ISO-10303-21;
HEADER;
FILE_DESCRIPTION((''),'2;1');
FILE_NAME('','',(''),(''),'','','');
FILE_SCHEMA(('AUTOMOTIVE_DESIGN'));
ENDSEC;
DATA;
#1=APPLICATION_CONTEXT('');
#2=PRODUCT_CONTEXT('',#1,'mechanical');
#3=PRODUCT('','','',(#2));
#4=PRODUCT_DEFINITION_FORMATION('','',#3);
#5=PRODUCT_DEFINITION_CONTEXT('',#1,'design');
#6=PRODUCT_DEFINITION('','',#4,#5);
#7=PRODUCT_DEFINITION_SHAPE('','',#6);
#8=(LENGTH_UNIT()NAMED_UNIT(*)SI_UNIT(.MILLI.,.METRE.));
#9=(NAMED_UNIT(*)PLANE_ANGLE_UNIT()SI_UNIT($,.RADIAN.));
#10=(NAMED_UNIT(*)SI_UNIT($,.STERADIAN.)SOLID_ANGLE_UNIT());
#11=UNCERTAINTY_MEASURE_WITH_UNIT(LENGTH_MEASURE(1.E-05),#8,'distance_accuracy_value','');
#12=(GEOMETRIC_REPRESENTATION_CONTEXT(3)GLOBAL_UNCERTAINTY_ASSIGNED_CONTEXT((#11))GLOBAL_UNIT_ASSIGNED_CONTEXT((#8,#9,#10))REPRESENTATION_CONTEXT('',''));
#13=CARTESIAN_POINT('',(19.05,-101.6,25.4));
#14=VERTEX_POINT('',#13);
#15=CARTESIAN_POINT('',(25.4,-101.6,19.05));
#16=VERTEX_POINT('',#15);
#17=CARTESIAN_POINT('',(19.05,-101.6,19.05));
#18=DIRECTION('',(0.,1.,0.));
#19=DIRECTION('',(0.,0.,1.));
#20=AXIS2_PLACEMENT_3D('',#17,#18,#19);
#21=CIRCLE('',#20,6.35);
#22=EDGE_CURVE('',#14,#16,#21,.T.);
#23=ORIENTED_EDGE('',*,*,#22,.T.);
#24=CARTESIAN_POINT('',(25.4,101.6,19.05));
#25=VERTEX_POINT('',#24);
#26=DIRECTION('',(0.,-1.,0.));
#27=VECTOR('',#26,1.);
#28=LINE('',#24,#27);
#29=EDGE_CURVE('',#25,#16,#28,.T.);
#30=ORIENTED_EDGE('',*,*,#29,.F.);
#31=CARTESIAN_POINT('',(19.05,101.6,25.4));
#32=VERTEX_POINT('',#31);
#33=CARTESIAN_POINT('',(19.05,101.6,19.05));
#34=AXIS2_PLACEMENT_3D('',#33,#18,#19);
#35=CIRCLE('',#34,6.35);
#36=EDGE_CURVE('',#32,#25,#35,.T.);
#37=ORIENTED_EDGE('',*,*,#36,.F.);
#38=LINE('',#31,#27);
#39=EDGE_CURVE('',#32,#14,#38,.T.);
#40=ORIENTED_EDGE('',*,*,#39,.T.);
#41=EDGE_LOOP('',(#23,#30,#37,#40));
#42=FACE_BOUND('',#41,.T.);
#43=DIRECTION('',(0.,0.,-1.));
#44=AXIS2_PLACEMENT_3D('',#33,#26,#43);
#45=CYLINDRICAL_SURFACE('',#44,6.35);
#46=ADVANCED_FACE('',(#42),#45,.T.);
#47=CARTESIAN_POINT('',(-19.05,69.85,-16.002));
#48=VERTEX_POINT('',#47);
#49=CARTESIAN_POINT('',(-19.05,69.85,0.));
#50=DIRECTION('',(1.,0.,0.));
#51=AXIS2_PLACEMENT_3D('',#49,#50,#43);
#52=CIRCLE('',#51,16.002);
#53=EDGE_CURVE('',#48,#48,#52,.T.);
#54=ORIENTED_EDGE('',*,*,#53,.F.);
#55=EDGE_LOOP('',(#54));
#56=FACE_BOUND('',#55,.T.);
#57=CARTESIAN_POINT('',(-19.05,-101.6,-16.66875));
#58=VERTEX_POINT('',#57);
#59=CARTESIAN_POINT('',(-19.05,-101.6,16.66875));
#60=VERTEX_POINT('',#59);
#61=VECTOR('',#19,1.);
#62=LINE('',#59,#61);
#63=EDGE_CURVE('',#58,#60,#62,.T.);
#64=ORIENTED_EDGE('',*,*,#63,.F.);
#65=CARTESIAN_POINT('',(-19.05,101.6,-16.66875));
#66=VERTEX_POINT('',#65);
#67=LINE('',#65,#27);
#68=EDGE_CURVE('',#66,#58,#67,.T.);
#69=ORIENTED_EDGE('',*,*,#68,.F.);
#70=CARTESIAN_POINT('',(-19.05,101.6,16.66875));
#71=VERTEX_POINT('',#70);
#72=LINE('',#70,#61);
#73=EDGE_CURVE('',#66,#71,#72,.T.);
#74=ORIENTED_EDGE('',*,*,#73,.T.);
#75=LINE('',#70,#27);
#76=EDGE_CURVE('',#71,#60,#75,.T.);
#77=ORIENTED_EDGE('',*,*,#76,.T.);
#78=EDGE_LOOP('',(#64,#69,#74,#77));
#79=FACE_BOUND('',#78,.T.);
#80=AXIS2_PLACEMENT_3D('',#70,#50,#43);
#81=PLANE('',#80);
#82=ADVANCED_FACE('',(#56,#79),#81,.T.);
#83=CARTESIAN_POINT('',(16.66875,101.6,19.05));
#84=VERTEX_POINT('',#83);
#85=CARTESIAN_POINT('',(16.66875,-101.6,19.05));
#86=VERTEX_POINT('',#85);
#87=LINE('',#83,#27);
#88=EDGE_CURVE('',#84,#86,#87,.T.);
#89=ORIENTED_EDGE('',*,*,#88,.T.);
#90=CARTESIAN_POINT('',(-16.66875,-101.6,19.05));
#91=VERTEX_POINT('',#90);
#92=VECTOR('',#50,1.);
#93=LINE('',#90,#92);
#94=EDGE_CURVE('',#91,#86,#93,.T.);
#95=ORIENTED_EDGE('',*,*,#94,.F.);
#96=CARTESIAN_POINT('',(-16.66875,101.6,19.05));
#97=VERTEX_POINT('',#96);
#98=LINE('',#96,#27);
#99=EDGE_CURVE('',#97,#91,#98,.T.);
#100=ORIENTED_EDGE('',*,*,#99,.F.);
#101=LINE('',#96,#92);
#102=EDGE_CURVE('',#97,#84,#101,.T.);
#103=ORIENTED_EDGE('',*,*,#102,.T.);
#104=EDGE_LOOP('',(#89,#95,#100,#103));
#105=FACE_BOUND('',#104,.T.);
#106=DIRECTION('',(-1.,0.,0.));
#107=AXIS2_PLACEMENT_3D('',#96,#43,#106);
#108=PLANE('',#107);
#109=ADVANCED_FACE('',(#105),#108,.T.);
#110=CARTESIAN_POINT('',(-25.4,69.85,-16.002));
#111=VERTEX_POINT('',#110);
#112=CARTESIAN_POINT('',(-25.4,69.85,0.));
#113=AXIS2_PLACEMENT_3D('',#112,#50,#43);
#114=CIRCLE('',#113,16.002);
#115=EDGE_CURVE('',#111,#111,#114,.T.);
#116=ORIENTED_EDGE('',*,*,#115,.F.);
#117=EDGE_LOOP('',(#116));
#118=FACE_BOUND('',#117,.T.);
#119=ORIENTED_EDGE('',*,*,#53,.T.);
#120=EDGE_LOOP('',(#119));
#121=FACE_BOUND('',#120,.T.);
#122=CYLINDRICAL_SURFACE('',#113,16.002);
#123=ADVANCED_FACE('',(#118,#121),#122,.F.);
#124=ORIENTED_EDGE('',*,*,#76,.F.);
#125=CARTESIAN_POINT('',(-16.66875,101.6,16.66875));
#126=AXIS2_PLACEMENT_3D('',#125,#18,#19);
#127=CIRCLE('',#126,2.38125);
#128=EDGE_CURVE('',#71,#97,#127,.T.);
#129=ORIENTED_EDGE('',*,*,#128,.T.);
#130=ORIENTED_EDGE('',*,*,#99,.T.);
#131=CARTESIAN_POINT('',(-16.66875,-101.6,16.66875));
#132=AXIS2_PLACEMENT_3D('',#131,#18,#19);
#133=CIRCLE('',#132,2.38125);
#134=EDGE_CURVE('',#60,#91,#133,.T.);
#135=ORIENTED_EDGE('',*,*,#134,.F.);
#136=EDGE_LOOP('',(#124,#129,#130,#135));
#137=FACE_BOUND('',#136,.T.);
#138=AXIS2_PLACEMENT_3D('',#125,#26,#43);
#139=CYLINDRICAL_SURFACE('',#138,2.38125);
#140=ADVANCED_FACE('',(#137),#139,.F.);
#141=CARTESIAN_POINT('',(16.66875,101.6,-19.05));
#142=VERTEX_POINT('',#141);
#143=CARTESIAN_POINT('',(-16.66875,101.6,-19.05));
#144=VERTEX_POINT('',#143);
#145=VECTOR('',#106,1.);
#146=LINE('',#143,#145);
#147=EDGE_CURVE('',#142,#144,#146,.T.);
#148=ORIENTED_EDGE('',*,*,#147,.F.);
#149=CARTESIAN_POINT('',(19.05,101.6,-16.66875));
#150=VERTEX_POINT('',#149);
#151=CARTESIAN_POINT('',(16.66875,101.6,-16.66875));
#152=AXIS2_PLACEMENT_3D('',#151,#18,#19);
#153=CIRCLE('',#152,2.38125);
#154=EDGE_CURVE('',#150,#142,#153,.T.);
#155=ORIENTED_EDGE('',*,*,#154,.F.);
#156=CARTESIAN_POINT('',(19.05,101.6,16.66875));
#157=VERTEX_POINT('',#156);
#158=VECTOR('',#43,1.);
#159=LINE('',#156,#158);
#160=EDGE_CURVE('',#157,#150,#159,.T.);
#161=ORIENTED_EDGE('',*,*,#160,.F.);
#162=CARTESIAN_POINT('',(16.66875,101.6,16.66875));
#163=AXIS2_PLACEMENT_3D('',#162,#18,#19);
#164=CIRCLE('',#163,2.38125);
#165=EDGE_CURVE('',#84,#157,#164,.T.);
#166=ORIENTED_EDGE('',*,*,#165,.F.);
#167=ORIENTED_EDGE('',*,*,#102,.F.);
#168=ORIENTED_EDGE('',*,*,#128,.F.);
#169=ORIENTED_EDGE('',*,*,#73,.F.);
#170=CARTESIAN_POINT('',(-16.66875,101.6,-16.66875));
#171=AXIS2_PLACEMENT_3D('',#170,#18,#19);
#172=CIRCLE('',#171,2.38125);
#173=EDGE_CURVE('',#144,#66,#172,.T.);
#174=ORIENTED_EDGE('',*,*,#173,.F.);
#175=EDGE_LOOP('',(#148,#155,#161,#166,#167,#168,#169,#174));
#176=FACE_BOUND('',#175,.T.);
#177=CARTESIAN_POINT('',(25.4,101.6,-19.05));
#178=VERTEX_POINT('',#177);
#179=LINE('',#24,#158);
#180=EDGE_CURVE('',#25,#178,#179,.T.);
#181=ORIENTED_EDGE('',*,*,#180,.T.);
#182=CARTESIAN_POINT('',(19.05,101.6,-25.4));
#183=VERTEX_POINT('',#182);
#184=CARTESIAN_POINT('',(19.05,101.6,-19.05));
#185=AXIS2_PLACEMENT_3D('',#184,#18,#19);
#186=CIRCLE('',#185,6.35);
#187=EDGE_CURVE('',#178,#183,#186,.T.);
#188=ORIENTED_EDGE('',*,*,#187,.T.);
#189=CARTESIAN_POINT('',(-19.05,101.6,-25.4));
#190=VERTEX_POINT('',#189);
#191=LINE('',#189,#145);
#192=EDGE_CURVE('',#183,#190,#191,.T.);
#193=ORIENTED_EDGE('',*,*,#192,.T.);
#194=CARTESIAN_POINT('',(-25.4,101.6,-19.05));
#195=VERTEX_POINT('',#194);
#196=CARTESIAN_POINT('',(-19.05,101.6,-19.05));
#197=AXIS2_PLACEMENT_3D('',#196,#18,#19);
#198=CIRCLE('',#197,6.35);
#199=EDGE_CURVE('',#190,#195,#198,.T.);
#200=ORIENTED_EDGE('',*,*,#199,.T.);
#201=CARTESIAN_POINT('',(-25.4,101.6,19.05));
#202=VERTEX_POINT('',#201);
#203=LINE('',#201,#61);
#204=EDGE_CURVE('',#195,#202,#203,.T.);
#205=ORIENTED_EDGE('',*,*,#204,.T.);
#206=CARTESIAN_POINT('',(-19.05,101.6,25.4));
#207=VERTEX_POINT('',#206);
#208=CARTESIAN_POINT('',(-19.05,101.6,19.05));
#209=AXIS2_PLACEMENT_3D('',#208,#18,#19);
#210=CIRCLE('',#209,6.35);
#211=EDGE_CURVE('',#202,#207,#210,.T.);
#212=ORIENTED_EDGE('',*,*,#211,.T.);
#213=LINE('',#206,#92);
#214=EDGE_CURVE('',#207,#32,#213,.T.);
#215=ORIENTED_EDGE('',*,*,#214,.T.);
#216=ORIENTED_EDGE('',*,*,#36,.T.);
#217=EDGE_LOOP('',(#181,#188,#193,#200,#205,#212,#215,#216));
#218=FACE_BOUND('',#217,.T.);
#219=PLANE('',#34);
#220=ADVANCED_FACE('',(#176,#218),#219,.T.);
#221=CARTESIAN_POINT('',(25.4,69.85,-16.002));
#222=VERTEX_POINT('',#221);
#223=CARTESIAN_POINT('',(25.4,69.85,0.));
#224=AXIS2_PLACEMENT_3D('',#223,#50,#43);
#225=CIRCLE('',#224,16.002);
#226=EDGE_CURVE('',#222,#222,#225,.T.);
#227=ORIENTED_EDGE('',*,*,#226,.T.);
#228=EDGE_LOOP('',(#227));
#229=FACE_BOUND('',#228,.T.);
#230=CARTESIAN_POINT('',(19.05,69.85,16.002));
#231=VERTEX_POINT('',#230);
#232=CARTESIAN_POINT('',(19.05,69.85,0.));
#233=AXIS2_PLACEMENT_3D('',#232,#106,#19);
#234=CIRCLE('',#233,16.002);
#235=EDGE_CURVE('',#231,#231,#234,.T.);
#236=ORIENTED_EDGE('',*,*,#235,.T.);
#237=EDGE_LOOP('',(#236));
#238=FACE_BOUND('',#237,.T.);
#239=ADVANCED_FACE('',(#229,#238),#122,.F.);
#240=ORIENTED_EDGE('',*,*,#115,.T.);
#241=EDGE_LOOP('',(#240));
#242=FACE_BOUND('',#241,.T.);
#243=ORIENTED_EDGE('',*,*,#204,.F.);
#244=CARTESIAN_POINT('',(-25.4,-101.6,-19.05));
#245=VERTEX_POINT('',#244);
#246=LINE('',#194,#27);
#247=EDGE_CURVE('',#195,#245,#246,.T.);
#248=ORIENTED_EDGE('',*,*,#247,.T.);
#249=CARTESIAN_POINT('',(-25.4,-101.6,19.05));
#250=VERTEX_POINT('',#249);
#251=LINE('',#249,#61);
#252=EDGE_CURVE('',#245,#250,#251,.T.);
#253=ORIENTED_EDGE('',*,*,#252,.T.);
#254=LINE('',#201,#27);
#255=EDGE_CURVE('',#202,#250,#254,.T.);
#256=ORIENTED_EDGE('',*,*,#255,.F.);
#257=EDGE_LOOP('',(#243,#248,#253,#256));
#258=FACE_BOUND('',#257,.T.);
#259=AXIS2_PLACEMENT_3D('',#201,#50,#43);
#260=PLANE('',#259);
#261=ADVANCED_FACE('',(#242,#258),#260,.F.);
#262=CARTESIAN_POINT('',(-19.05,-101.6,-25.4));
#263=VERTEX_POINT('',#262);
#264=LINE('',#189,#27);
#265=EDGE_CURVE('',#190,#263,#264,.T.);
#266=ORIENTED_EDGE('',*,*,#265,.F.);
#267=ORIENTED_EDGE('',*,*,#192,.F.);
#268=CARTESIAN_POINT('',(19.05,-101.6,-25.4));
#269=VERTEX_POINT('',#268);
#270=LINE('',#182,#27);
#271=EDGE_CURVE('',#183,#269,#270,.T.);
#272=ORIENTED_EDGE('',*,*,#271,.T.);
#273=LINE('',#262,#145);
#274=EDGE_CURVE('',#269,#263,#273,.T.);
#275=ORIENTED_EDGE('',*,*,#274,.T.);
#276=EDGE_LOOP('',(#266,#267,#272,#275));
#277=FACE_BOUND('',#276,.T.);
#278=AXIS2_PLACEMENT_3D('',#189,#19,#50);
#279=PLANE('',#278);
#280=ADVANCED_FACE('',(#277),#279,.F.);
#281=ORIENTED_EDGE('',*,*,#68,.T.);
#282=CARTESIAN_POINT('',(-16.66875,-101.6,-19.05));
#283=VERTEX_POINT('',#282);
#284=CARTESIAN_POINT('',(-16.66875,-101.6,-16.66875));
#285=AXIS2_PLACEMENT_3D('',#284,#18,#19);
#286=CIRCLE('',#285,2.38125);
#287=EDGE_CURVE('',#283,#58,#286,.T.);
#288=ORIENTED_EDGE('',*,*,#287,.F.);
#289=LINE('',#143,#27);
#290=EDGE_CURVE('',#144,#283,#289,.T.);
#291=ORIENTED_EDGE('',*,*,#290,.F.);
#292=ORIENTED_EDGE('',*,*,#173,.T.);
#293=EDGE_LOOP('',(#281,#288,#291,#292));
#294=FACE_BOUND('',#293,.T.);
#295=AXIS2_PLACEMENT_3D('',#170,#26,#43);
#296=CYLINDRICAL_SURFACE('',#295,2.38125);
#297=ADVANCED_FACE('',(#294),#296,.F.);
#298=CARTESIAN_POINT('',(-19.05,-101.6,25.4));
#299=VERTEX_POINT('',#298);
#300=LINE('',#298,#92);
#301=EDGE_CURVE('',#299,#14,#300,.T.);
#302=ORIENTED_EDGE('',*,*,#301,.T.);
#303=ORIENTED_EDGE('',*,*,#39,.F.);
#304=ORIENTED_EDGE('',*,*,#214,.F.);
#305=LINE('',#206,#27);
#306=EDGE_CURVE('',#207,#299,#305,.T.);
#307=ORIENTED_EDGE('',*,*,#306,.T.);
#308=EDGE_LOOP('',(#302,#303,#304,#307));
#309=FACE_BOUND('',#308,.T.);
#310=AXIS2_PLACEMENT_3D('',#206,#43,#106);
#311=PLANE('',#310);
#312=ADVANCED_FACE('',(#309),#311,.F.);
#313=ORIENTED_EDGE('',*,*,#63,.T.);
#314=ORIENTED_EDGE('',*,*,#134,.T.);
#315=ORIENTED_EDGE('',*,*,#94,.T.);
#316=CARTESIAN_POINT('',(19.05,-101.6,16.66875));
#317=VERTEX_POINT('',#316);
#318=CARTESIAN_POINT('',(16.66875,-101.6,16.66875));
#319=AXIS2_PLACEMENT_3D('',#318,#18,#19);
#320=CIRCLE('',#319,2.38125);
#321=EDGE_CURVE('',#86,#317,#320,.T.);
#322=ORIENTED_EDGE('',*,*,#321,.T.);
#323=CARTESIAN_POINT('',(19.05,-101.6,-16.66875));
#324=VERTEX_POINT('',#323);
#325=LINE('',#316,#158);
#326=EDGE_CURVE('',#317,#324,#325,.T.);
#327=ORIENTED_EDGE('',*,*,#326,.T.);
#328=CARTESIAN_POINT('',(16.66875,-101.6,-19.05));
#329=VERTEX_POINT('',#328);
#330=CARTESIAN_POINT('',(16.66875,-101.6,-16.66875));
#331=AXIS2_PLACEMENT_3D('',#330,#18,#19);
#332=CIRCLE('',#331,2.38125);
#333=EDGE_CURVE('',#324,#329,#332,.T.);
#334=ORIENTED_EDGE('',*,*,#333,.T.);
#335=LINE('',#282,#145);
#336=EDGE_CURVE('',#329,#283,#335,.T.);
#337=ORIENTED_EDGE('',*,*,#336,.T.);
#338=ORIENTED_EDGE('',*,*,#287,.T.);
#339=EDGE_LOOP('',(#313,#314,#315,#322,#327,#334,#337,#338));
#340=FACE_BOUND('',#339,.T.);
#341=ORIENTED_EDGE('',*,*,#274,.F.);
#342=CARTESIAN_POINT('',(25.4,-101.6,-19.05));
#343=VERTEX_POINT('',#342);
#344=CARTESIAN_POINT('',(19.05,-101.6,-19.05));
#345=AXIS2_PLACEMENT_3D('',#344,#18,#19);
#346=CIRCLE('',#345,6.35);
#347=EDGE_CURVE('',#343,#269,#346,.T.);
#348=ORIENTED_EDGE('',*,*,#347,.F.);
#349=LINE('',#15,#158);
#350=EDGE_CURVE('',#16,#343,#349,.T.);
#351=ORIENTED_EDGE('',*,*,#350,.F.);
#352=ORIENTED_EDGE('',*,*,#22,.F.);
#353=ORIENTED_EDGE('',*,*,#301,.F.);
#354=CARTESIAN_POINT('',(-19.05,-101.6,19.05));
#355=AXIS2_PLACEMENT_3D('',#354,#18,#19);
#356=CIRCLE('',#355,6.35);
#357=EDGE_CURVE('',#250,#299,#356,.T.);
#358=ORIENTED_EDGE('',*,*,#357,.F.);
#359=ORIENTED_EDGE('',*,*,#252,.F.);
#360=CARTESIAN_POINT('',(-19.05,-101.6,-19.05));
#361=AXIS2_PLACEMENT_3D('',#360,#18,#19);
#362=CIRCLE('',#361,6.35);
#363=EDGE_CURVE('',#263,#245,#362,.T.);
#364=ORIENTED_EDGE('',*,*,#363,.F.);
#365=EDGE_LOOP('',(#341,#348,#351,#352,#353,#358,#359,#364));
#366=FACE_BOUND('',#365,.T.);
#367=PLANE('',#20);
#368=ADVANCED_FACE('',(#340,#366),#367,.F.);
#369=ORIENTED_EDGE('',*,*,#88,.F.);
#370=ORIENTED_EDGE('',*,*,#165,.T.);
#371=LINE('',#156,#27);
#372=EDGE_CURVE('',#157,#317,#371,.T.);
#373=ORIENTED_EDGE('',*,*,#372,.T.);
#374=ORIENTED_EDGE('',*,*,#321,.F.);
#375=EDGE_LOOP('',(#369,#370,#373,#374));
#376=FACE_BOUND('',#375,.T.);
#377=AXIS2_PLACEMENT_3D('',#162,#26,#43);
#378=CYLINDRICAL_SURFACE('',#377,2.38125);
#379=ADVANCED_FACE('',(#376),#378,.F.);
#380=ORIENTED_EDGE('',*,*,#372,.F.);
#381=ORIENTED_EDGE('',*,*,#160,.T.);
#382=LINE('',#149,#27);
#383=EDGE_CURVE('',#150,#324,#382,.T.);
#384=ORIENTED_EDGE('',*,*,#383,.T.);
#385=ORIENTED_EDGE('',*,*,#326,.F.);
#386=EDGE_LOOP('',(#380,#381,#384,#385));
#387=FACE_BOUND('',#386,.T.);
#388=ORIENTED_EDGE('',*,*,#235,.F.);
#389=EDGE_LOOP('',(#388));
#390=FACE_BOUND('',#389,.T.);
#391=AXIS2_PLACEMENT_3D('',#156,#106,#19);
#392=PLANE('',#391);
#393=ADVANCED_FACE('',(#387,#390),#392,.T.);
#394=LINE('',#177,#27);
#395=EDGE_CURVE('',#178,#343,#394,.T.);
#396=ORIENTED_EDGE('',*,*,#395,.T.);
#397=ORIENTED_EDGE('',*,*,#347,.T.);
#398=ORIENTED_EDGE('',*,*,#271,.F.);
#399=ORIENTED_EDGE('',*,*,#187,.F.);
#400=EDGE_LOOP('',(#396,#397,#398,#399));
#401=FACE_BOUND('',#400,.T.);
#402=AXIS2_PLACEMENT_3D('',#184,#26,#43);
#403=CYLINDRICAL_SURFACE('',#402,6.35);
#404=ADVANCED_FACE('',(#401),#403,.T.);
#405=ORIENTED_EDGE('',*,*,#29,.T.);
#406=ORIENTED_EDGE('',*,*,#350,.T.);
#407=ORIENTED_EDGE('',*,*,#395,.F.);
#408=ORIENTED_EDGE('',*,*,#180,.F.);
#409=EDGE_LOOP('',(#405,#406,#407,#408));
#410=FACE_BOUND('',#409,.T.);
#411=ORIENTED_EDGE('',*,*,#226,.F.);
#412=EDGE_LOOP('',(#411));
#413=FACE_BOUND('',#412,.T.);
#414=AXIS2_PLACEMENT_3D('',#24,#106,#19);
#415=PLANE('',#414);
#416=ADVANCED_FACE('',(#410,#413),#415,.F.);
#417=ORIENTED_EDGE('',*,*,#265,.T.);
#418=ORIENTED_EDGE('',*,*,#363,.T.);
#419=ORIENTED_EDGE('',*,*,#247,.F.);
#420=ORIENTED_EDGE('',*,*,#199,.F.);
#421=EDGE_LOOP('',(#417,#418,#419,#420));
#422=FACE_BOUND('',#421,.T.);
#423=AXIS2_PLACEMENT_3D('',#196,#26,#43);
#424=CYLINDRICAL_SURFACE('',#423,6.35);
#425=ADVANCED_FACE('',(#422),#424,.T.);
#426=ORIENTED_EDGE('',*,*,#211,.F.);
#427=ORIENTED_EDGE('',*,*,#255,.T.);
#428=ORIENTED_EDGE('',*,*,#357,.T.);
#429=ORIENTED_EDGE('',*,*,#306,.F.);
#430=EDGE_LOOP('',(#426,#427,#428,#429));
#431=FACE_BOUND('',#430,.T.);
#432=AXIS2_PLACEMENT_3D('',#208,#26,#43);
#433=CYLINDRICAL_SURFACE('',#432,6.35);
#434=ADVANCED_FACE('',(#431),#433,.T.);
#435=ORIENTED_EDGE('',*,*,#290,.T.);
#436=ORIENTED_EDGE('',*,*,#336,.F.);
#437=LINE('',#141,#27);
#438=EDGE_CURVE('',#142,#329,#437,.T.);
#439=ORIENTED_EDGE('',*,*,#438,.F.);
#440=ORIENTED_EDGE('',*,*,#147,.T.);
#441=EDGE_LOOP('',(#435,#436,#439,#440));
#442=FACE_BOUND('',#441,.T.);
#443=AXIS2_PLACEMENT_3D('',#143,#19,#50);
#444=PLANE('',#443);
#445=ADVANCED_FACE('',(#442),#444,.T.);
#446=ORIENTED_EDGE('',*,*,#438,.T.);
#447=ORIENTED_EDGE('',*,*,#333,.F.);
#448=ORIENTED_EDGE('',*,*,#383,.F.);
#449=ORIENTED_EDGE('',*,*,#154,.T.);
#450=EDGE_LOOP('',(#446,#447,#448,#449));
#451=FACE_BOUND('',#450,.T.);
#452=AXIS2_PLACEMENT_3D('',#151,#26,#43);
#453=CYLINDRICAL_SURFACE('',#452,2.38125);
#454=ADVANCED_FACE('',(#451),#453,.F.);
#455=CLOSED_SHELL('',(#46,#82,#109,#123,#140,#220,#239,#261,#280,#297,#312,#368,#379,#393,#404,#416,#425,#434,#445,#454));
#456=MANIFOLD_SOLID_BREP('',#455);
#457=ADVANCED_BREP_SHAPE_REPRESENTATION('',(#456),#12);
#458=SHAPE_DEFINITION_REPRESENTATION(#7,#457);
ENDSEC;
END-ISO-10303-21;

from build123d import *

# Parameters (mm, degrees)
BOSS_EXTRUDE1_DEPTH = 101.6
SKETCH2_R           = 16.002
CUT_EXTRUDE1_DEPTH  = 51.8


with BuildPart() as part:
    # Sketch1 → Boss-Extrude1 (new body, symmetric)
    with BuildSketch(Plane(origin=(0, 0, 0), x_dir=(0, 0, -1), z_dir=(0, 1, 0))):
        with BuildLine():
            Line((-19.05, 25.4), (19.05, 25.4))
            ThreePointArc((19.05, 25.4), (23.540128061, 23.540128061), (25.4, 19.05))
            Line((25.4, 19.05), (25.4, -19.05))
            ThreePointArc((25.4, -19.05), (23.540128061, -23.540128061), (19.05, -25.4))
            Line((19.05, -25.4), (-19.05, -25.4))
            ThreePointArc((-19.05, -25.4), (-23.540128061, -23.540128061), (-25.4, -19.05))
            Line((-25.4, -19.05), (-25.4, 19.05))
            ThreePointArc((-25.4, 19.05), (-23.540128061, 23.540128061), (-19.05, 25.4))
        make_face()
        with BuildLine():
            Line((-16.66875, 19.05), (16.66875, 19.05))
            ThreePointArc((16.66875, 19.05), (18.352548023, 18.352548023), (19.05, 16.66875))
            Line((19.05, 16.66875), (19.05, -16.66875))
            ThreePointArc((19.05, -16.66875), (18.352548023, -18.352548023), (16.66875, -19.05))
            Line((16.66875, -19.05), (-16.66875, -19.05))
            ThreePointArc((-16.66875, -19.05), (-18.352548023, -18.352548023), (-19.05, -16.66875))
            Line((-19.05, -16.66875), (-19.05, 16.66875))
            ThreePointArc((-19.05, 16.66875), (-18.352548023, 18.352548023), (-16.66875, 19.05))
        make_face(mode=Mode.SUBTRACT)
    extrude(amount=BOSS_EXTRUDE1_DEPTH, both=True)

    # Sketch2 → Cut-Extrude1 (cut, through all)
    with BuildSketch(Plane(origin=(25.4, 0, 0), x_dir=(0, 0, -1), z_dir=(1, 0, 0))):
        with Locations((0, 69.85)):
            Circle(SKETCH2_R)
    extrude(amount=-CUT_EXTRUDE1_DEPTH, mode=Mode.SUBTRACT)


solid = part.part
